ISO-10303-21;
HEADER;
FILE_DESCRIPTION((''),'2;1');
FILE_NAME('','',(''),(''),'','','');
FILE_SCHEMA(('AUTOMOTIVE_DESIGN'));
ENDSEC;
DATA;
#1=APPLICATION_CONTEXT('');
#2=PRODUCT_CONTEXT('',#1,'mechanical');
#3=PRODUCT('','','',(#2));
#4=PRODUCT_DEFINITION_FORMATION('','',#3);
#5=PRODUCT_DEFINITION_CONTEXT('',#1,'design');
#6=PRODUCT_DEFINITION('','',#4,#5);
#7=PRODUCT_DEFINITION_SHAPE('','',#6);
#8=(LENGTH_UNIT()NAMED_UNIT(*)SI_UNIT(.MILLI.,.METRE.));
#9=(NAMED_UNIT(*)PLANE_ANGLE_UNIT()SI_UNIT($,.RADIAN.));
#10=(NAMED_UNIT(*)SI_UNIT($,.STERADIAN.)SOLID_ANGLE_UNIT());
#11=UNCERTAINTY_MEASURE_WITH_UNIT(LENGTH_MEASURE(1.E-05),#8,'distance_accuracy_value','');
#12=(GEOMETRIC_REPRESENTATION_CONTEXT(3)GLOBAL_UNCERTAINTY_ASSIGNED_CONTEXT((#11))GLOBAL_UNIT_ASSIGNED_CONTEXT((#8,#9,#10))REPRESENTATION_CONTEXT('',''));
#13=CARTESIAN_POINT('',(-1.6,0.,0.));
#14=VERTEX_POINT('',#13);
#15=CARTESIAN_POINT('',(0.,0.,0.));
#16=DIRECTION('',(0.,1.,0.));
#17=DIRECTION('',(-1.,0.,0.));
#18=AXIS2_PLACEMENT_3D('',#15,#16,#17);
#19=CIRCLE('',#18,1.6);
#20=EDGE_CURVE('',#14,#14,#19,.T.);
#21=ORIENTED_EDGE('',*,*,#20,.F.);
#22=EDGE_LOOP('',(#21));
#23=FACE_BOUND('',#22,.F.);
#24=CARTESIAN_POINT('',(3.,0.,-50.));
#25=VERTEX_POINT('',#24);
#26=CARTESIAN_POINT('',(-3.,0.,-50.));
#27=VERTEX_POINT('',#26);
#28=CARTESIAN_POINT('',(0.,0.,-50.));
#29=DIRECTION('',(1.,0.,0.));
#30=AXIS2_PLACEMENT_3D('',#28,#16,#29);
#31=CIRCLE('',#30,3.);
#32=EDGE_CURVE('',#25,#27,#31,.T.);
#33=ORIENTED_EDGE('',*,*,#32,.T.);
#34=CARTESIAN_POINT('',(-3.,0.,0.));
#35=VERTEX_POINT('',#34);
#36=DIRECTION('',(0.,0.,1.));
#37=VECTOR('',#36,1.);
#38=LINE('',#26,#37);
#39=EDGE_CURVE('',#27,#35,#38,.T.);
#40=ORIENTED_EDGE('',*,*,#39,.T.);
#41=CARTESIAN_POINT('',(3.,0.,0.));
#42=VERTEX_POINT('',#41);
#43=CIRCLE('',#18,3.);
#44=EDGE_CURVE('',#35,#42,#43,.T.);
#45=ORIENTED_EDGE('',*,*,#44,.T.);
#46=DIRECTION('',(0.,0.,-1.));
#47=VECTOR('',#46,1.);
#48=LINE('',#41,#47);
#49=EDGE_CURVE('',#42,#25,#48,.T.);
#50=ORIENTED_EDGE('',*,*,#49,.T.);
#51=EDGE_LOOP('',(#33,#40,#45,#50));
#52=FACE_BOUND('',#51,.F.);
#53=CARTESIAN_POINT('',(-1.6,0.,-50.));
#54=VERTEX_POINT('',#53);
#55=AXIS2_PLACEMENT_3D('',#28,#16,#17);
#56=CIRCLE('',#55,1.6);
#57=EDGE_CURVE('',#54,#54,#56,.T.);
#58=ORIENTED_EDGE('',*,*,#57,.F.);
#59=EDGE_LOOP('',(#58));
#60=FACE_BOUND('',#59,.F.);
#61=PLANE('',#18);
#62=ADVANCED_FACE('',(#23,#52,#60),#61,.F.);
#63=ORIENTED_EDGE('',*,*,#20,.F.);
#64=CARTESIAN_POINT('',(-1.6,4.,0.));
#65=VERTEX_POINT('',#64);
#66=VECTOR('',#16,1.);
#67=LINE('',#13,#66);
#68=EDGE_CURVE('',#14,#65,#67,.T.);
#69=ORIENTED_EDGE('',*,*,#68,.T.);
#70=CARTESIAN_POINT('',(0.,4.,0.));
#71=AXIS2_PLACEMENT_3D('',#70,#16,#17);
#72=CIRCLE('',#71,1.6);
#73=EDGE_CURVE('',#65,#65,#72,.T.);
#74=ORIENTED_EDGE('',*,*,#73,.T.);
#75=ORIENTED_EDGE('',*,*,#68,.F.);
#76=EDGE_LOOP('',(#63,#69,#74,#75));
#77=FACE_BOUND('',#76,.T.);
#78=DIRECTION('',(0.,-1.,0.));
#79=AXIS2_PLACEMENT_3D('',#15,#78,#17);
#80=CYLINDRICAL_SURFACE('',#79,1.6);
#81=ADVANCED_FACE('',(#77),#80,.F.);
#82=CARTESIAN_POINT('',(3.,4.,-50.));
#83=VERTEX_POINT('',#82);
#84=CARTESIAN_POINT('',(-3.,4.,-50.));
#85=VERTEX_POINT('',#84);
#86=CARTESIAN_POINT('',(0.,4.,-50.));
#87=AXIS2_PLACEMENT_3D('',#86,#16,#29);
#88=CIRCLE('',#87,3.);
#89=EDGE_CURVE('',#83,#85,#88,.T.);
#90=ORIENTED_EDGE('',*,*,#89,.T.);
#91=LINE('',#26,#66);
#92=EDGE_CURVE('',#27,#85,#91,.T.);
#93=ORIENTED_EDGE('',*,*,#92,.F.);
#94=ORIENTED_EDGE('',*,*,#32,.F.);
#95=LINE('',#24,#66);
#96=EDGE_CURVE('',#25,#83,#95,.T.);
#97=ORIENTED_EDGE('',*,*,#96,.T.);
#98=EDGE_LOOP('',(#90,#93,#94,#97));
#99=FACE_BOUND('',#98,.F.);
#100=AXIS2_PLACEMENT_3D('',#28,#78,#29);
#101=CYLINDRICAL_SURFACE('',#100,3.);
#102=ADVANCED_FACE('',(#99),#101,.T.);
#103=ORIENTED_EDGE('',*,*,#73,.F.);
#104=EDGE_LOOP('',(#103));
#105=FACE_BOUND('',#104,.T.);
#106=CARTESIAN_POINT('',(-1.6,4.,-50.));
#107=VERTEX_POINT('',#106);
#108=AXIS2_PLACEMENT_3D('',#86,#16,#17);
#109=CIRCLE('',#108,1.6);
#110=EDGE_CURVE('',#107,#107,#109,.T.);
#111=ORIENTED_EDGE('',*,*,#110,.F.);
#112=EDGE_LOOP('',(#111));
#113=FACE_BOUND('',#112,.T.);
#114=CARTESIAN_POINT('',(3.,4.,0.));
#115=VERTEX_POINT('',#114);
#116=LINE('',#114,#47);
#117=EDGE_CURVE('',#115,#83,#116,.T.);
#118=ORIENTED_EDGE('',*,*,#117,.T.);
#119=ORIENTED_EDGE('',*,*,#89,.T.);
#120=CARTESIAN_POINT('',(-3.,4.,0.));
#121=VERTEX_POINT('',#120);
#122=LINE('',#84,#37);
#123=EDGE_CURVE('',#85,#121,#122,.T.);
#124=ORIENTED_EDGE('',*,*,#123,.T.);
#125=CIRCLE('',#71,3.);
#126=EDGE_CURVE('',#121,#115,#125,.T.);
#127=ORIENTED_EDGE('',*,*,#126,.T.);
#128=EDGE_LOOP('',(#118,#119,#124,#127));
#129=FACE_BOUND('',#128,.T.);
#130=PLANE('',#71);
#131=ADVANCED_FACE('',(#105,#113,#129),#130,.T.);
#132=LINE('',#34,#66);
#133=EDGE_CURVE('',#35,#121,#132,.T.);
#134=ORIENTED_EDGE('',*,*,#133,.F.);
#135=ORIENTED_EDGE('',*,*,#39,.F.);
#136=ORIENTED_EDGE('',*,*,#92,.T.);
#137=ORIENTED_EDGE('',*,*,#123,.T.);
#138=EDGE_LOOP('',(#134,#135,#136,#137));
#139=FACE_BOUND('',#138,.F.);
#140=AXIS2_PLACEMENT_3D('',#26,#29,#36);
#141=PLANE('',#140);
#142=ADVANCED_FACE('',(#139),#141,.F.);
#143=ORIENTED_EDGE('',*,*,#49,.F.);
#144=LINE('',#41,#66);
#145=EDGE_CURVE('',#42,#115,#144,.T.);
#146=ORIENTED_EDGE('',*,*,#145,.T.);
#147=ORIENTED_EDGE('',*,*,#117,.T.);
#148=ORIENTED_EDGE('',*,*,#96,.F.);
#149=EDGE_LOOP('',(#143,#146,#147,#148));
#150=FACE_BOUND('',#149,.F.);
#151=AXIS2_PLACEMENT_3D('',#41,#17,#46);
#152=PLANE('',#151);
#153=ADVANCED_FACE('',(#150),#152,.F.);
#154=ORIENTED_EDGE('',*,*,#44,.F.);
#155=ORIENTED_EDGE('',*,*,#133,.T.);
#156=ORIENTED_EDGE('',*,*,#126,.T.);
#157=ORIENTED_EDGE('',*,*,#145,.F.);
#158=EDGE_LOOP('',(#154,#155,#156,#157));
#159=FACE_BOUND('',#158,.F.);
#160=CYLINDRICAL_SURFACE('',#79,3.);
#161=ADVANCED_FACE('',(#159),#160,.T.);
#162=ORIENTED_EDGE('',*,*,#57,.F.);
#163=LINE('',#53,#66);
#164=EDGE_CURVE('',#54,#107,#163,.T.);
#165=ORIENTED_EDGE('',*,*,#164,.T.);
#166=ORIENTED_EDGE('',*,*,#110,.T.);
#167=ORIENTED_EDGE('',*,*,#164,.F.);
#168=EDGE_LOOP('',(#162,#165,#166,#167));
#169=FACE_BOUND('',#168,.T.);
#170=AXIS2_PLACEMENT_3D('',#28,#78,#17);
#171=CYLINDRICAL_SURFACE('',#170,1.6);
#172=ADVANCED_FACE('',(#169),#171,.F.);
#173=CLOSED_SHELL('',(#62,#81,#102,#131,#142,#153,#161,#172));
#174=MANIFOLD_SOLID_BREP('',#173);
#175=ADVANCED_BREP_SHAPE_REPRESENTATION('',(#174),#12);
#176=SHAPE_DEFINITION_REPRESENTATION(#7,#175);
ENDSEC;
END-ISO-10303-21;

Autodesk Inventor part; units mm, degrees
ref_plane "YZ Plane" through (0, 0, 0) normal (1, 0, 0) x (0, 1, 0)
ref_plane "XZ Plane" through (0, 0, 0) normal (0, 1, 0) x (-1, 0, 0)
ref_plane "XY Plane" through (0, 0, 0) normal (0, 0, 1) x (1, 0, 0)
sketch "Szkic1" plane through (0, 0, 0) normal (0, 1, 0) x (-1, 0, 0)
  line L0 (0, 0) -> (0, -50) construction
  line L1 (-3, 0) -> (-3, -50)
  line L2 (3, -50) -> (3, 0)
  arc A0 (3, 0) -> (-3, 0) centre (0, 0) ccw
  arc A1 (-3, -50) -> (3, -50) centre (0, -50) ccw
  circle A2 centre (0, 0) radius 1.6
  circle A3 centre (0, -50) radius 1.6
  point P0 (0, -25)
  dimension "d0" = 6
  dimension "d1" = 50
  dimension "d2" = 3.2
  dimension "d3" = 3.2
extrude "Wyciągnięcie proste1" add sketch "Szkic1" along normal blind 4
properties part number "conector"
